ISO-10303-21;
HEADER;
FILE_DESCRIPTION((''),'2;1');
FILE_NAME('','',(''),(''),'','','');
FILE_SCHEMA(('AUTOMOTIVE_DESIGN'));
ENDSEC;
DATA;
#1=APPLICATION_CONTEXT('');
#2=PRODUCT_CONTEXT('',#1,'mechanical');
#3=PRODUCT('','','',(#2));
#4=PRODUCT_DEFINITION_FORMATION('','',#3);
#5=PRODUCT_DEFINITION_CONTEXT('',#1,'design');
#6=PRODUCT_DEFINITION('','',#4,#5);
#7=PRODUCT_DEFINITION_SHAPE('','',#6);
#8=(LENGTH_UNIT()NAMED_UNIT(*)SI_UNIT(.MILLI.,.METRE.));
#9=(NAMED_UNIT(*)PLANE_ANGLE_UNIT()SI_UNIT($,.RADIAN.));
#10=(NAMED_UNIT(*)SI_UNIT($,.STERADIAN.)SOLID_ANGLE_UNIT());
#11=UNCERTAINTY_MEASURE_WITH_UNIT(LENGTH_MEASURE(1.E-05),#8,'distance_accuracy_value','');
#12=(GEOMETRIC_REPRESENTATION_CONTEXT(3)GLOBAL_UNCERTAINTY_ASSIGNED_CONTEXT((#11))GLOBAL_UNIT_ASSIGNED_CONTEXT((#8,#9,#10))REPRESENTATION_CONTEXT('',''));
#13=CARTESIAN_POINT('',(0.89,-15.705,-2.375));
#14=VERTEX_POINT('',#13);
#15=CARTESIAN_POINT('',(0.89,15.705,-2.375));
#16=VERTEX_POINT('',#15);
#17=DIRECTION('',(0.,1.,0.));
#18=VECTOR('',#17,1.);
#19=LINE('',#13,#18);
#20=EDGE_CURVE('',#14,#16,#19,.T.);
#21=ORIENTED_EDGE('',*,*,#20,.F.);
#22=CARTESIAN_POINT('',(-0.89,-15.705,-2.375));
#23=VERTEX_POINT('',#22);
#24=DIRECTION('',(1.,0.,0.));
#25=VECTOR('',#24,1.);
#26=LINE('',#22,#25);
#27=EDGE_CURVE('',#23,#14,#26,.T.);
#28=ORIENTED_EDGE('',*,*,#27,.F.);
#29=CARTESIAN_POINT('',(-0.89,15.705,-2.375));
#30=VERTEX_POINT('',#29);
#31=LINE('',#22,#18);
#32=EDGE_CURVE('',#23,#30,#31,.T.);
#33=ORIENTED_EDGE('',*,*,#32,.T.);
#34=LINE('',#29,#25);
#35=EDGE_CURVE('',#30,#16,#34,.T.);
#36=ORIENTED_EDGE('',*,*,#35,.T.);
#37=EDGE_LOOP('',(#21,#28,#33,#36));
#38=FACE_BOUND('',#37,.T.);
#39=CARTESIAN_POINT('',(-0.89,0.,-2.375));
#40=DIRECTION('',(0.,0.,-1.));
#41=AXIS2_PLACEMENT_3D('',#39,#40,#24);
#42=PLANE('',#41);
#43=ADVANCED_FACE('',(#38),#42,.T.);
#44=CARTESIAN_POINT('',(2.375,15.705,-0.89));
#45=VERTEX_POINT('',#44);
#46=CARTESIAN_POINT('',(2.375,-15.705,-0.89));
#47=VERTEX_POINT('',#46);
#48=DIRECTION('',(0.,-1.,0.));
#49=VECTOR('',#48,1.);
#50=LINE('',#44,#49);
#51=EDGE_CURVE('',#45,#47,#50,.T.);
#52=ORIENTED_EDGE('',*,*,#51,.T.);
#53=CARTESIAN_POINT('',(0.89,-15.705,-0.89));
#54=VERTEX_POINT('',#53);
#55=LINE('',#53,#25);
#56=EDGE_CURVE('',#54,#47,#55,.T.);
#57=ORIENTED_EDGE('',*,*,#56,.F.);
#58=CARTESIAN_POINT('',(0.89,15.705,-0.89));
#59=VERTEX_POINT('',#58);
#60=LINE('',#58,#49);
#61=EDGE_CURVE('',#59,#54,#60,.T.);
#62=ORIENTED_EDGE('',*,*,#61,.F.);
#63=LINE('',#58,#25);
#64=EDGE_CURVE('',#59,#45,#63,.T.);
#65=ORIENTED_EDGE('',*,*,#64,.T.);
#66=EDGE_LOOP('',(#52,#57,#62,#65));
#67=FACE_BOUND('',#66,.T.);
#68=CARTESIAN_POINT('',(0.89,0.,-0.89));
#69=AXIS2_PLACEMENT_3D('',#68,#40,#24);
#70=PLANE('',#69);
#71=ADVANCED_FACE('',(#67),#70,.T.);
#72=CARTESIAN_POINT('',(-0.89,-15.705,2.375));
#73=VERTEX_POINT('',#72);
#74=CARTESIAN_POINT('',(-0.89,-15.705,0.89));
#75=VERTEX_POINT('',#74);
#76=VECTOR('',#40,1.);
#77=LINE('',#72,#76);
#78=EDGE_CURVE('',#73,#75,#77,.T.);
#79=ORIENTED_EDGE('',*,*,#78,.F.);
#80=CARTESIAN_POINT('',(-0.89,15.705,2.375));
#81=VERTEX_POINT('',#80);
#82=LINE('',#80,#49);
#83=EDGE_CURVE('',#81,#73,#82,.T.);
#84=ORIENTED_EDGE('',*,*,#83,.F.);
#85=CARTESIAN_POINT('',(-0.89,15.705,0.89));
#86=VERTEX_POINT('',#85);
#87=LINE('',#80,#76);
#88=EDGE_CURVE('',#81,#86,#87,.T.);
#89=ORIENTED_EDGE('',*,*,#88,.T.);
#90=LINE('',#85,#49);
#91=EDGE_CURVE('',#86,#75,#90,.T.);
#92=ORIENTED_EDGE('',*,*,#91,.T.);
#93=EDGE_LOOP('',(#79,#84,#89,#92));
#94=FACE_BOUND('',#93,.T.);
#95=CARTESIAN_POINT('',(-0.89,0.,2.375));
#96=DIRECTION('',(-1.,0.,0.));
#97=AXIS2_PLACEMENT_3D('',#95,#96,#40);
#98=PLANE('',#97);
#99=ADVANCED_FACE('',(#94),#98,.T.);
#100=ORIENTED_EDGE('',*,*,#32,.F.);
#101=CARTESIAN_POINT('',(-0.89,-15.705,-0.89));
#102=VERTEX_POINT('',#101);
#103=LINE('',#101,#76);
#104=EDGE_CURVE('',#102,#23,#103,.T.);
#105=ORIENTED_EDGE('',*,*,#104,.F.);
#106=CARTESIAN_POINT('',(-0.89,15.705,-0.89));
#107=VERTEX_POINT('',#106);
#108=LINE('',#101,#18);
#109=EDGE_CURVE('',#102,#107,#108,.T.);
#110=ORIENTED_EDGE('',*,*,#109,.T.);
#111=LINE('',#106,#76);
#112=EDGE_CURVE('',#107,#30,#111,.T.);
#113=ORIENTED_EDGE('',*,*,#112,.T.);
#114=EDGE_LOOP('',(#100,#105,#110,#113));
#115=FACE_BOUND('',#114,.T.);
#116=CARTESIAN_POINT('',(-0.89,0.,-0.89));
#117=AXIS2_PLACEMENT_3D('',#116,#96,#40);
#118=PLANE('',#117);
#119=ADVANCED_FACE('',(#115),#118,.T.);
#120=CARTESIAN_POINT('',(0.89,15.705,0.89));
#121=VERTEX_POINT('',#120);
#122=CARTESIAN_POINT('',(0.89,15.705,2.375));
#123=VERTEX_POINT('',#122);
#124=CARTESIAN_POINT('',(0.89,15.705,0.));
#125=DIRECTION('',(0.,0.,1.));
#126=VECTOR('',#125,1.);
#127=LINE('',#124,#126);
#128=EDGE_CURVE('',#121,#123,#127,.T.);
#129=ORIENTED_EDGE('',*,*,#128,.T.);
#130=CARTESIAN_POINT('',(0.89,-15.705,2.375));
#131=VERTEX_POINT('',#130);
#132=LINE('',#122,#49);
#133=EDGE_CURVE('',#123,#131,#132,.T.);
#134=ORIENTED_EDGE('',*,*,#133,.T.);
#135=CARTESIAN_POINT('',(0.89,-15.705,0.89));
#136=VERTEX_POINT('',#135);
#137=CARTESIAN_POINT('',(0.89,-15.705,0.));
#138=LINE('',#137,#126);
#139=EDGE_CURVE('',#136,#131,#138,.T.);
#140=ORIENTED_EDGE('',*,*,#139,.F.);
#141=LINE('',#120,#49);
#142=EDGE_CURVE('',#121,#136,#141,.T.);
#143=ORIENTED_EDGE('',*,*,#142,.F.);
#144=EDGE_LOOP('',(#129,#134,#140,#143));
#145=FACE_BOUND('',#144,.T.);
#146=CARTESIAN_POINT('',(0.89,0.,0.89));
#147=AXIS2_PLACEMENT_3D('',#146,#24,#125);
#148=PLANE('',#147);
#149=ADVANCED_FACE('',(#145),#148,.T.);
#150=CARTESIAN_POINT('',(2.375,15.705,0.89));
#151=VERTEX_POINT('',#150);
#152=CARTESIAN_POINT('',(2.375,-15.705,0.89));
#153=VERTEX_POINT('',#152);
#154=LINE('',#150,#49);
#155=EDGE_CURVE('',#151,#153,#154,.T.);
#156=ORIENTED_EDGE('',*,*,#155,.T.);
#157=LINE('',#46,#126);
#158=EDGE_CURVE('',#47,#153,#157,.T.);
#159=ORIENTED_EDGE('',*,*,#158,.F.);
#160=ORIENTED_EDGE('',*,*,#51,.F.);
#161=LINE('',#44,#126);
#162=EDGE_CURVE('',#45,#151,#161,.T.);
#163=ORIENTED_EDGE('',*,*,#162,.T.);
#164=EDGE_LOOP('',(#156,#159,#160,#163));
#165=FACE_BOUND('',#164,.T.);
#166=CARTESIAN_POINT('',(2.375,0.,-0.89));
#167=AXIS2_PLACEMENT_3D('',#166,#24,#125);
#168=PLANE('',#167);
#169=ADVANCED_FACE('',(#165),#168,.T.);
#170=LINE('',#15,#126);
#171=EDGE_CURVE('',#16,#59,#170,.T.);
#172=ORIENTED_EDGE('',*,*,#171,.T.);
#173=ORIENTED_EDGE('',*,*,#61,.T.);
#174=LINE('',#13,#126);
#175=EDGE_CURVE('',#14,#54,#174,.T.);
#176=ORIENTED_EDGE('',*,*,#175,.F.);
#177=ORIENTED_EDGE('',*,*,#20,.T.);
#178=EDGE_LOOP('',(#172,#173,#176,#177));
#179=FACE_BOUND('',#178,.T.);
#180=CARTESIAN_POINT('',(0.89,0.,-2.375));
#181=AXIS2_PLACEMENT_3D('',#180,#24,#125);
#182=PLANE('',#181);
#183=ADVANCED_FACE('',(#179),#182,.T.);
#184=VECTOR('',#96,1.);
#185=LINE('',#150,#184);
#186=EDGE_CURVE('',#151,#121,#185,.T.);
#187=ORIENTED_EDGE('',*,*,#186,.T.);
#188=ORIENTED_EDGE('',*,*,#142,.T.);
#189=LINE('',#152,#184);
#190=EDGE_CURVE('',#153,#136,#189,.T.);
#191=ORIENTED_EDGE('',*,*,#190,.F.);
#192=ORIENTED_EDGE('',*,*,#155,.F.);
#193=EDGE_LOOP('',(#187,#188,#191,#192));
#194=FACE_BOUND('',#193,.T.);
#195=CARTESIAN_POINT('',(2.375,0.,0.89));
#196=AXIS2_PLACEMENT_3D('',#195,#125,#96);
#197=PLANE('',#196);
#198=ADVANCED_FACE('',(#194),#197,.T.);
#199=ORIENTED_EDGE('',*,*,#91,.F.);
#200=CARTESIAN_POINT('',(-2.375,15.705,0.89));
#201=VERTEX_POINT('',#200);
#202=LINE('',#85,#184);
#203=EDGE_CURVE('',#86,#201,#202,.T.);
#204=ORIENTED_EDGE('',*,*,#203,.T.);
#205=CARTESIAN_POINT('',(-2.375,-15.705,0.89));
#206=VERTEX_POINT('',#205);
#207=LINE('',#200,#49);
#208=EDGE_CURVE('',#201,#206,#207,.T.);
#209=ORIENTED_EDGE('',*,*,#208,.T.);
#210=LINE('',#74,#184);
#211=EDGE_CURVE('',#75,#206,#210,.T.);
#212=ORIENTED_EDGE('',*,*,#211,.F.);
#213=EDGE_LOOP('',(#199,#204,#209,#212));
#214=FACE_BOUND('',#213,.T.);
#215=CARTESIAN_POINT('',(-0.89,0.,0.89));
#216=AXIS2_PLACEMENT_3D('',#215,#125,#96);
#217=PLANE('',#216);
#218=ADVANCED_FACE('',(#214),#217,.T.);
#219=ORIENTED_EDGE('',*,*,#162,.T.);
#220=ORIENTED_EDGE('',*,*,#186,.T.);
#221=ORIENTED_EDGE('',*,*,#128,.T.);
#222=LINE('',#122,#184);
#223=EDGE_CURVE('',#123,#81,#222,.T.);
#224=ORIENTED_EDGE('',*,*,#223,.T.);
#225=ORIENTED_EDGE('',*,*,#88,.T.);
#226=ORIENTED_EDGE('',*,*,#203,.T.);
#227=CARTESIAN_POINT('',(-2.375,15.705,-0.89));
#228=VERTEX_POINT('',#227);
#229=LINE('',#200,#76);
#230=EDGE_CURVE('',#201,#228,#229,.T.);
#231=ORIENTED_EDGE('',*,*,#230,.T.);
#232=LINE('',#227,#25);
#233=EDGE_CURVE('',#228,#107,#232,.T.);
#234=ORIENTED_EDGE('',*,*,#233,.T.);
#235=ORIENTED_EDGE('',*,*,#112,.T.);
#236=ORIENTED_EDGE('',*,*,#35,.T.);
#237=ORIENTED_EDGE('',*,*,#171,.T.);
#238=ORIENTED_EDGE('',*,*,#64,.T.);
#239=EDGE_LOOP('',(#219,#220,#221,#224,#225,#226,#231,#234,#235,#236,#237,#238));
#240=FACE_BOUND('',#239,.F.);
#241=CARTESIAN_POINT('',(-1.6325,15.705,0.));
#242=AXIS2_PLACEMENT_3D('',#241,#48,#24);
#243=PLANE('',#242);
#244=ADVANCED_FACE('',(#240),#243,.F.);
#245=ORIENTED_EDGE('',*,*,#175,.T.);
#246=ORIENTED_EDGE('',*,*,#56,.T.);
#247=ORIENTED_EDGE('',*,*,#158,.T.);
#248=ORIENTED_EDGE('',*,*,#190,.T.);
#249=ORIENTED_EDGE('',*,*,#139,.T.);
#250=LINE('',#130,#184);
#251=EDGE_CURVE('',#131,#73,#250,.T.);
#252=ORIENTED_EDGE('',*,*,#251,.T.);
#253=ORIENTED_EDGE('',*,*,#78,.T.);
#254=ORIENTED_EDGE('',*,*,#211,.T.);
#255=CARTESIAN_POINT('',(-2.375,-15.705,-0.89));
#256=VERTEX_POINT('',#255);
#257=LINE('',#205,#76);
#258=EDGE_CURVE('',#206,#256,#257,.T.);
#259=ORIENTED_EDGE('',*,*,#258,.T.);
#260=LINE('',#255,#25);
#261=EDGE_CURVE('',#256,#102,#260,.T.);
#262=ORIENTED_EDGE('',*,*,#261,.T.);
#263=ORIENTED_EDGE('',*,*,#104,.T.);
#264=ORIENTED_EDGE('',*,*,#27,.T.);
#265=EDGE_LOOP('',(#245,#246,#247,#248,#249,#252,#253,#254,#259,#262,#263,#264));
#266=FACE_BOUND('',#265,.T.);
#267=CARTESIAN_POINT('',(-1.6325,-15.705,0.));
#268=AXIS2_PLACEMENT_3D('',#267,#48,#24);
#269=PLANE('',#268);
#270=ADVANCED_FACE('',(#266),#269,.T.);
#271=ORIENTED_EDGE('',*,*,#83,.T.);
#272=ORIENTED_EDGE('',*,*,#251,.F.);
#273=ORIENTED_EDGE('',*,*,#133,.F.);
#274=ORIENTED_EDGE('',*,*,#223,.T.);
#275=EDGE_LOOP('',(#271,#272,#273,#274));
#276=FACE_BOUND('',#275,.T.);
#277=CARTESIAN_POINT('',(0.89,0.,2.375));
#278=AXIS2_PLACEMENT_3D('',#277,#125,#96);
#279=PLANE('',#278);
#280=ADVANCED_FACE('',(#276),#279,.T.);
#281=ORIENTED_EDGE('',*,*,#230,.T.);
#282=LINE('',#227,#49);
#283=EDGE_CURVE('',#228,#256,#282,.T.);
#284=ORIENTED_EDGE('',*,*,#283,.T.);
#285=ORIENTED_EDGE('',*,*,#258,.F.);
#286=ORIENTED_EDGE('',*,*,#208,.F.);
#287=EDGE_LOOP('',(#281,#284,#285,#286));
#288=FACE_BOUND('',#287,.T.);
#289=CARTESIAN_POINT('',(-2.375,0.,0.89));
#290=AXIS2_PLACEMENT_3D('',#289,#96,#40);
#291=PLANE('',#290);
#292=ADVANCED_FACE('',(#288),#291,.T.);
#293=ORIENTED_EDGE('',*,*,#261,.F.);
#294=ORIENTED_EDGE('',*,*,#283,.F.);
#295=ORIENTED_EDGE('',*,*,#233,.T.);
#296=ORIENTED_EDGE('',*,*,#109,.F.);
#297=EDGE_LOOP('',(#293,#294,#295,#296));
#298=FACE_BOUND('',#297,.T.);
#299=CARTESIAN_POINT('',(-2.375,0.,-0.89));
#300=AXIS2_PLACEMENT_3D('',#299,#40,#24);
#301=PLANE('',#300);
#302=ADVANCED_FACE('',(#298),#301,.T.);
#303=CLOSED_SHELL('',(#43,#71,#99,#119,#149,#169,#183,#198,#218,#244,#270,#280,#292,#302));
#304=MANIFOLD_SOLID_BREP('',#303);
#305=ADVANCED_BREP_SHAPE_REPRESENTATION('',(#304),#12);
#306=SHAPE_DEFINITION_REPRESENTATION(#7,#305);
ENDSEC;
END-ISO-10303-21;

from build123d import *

# Parameters (mm, degrees)
F0_W     = 0.89
F0_H     = 0.89
F1_DEPTH = 15.705


with BuildPart() as f1:
    # F0 (on Front) → F1 (new body, symmetric)
    with BuildSketch(Plane.XZ):
        Polygon((-0.89, 0.89), (-2.375, 0.89), (-2.375, -0.89), (-0.89, -0.89), (-0.89, 0), align=None)
        Polygon((-0.89, 2.375), (-0.89, 0.89), (0, 0.89), (0.89, 0.89), (0.89, 2.375), align=None)
        with Locations((-0.445, 0.445)):
            Rectangle(F0_W, F0_H)
        with Locations((0.445, 0.445)):
            Rectangle(F0_W, F0_H)
        with Locations((-0.445, -0.445)):
            Rectangle(F0_W, F0_H)
        Polygon((0, -0.89), (-0.89, -0.89), (-0.89, -2.375), (0.89, -2.375), (0.89, -0.89), align=None)
        Polygon((2.375, 0.89), (0.89, 0.89), (0.89, 0), (0.89, -0.89), (2.375, -0.89), align=None)
        with Locations((0.445, -0.445)):
            Rectangle(F0_W, F0_H)
    extrude(amount=F1_DEPTH, both=True)


solid = f1.part
